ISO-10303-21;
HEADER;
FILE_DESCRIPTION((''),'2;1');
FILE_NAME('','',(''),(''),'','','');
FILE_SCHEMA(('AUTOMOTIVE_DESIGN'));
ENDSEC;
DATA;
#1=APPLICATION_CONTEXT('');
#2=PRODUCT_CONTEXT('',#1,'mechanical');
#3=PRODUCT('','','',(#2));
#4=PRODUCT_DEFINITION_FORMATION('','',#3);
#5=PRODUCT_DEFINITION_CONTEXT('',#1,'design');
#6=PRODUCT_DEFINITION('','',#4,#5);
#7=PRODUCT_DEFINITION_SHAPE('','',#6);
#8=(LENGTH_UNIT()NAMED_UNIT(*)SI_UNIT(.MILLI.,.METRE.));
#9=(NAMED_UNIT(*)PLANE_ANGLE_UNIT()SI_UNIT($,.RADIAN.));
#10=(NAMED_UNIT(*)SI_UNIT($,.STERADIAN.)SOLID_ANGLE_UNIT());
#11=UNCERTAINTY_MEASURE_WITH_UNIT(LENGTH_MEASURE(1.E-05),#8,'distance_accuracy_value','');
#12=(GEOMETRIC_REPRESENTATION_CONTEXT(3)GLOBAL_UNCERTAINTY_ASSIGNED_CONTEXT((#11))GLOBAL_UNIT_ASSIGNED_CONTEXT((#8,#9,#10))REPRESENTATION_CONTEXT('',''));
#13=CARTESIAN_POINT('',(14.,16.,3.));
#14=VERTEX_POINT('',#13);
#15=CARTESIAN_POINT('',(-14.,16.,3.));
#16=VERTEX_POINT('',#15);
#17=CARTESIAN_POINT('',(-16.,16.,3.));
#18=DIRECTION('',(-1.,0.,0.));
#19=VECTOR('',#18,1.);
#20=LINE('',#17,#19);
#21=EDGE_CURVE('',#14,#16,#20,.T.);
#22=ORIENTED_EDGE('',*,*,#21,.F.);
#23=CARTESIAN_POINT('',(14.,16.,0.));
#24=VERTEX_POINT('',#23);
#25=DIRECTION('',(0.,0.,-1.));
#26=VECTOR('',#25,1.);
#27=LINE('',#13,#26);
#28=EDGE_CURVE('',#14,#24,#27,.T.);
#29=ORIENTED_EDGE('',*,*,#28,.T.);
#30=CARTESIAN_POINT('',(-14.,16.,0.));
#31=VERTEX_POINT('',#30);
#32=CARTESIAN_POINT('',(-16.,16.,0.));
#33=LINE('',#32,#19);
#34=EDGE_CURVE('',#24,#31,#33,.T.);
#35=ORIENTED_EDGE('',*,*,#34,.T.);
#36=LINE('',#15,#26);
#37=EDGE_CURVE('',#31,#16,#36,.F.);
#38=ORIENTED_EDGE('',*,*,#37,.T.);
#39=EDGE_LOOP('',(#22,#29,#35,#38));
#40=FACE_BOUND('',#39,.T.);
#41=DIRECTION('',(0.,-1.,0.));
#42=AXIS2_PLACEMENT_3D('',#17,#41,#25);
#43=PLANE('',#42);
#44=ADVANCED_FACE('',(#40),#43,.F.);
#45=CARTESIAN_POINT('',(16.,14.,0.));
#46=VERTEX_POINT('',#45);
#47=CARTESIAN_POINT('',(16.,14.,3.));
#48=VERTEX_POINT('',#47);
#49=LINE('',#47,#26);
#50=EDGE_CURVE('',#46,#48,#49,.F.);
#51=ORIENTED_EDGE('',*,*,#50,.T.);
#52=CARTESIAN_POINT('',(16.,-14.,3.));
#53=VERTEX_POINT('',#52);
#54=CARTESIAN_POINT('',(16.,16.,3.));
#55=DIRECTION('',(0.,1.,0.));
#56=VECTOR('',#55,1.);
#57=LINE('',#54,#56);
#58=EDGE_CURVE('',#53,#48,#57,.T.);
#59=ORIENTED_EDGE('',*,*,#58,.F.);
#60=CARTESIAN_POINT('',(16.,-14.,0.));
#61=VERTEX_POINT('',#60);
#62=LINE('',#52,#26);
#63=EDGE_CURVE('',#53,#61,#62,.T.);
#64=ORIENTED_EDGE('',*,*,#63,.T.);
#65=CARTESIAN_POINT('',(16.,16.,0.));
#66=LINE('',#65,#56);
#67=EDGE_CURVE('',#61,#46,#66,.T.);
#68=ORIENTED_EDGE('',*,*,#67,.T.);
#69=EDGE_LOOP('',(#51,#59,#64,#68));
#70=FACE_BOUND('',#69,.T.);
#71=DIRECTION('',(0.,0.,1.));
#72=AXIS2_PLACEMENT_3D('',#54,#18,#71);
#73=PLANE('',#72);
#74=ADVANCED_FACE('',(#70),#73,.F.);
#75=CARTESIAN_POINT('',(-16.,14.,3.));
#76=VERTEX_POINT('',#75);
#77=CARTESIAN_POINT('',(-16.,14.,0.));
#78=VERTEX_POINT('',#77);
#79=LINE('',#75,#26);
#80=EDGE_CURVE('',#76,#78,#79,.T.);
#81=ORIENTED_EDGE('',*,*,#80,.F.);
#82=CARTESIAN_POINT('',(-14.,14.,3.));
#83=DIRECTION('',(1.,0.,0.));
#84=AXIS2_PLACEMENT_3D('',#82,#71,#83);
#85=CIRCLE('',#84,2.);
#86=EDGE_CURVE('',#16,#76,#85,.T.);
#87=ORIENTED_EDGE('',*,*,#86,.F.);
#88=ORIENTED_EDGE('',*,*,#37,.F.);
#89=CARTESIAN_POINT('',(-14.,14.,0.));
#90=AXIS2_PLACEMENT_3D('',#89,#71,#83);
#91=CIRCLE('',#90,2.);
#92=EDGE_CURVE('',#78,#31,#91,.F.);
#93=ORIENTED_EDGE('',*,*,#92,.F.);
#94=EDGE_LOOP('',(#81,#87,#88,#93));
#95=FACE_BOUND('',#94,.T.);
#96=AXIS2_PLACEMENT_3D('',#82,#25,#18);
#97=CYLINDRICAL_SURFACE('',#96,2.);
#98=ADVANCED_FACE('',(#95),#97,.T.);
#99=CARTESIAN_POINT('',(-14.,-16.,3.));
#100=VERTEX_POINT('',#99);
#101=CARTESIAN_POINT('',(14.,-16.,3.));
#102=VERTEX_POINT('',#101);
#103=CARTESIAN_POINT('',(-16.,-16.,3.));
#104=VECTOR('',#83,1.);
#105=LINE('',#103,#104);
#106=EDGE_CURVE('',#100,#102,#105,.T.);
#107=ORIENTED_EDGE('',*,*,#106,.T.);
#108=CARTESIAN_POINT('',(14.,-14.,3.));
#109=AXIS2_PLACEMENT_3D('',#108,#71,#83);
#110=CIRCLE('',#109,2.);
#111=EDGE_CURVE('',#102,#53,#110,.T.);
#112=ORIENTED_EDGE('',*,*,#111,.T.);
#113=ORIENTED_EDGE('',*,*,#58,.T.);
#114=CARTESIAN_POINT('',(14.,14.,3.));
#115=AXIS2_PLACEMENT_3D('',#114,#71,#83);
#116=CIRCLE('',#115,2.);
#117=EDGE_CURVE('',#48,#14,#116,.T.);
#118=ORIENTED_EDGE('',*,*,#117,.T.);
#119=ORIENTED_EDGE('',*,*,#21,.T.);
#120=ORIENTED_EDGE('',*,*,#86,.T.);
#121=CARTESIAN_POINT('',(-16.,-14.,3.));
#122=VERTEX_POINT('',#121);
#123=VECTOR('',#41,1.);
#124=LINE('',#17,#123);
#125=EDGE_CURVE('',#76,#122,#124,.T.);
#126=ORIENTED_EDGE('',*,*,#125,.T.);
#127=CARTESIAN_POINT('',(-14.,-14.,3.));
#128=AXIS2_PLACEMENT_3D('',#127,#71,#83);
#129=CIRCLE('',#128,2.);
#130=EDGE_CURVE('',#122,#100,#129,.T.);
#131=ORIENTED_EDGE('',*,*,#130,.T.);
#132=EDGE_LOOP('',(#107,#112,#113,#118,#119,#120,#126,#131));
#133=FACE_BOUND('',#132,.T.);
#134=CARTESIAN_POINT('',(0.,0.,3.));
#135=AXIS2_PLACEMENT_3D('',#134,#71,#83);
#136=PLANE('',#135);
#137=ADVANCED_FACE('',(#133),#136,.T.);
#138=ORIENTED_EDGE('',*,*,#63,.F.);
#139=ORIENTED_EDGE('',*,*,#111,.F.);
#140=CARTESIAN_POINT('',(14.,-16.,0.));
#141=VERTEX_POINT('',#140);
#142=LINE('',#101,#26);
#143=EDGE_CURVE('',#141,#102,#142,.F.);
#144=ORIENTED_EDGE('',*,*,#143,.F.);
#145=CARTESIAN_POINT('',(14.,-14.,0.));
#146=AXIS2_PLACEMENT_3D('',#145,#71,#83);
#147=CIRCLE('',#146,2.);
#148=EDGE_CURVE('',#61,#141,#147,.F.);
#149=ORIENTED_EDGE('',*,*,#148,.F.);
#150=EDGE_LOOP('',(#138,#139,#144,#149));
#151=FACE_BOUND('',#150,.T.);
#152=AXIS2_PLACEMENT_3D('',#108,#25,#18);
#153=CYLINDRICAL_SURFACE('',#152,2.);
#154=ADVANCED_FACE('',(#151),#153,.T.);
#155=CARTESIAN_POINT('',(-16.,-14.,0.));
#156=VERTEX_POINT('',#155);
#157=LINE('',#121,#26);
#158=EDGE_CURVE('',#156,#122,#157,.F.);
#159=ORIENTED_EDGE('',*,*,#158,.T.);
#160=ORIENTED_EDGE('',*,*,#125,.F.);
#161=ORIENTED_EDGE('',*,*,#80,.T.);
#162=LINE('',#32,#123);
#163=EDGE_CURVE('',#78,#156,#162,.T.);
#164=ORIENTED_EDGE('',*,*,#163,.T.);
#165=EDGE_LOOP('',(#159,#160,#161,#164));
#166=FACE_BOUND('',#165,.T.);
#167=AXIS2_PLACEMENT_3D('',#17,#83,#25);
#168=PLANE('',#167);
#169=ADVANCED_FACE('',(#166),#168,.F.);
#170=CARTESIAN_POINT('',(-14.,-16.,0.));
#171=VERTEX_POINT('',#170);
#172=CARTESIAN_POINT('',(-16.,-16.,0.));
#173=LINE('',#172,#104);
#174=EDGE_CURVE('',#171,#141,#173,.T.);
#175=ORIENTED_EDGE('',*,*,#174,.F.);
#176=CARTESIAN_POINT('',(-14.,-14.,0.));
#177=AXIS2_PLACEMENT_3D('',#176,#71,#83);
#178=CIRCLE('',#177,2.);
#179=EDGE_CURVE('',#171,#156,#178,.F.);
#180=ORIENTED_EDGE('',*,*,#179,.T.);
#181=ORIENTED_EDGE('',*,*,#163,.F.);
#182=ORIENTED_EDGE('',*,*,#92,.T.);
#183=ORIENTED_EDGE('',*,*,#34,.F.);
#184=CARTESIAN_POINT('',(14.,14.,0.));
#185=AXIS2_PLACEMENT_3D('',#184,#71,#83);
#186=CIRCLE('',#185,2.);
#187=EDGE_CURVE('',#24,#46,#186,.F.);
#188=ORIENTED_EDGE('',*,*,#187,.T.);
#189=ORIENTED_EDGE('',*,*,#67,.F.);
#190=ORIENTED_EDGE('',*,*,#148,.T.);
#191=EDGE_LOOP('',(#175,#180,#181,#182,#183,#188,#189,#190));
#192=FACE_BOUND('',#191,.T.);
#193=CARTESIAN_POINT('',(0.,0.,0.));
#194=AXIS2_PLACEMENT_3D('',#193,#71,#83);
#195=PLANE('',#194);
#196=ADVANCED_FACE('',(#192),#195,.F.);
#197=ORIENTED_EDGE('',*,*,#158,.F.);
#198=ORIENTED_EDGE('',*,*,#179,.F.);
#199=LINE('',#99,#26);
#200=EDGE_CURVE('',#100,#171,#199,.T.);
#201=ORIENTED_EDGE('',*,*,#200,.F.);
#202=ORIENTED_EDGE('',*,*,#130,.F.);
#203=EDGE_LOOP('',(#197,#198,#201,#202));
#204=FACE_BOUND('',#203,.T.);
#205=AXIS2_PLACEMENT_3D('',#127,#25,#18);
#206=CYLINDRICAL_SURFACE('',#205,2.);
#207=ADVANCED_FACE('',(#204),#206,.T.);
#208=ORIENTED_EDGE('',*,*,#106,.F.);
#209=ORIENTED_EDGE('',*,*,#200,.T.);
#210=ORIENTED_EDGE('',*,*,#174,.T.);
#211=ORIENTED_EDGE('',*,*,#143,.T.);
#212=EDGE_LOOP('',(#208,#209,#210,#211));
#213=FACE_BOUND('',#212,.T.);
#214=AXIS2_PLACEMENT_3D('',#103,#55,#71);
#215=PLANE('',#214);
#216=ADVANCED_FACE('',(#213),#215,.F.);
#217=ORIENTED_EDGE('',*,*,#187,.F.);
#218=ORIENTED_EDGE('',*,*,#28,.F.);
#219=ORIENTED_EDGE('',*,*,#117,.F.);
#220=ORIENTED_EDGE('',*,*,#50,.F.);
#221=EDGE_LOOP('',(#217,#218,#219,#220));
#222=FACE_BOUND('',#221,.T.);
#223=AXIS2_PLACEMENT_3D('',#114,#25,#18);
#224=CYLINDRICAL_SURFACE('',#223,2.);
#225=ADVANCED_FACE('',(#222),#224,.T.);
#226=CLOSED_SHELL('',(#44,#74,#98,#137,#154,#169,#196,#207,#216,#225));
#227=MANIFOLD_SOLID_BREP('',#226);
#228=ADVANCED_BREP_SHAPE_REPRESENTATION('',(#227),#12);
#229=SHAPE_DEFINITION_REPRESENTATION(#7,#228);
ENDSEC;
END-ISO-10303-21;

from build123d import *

# Parameters (mm, degrees)
CROQUIS1_W              = 32
CROQUIS1_H              = 32
SALIENTE_EXTRUIR1_DEPTH = 3
REDONDEO1_R             = 2


with BuildPart() as part:
    # Croquis1 → Saliente-Extruir1 (new body)
    with BuildSketch(Plane.XY):
        Rectangle(CROQUIS1_W, CROQUIS1_H)
    extrude(amount=SALIENTE_EXTRUIR1_DEPTH)

    # Redondeo1
    redondeo1_edges = [part.edges().sort_by_distance(p)[0] for p in [
        (16, -16, 1.5),
        (-16, -16, 1.5),
        (-16, 16, 1.5),
        (16, 16, 1.5),
    ]]
    fillet(redondeo1_edges, radius=REDONDEO1_R)


solid = part.part
